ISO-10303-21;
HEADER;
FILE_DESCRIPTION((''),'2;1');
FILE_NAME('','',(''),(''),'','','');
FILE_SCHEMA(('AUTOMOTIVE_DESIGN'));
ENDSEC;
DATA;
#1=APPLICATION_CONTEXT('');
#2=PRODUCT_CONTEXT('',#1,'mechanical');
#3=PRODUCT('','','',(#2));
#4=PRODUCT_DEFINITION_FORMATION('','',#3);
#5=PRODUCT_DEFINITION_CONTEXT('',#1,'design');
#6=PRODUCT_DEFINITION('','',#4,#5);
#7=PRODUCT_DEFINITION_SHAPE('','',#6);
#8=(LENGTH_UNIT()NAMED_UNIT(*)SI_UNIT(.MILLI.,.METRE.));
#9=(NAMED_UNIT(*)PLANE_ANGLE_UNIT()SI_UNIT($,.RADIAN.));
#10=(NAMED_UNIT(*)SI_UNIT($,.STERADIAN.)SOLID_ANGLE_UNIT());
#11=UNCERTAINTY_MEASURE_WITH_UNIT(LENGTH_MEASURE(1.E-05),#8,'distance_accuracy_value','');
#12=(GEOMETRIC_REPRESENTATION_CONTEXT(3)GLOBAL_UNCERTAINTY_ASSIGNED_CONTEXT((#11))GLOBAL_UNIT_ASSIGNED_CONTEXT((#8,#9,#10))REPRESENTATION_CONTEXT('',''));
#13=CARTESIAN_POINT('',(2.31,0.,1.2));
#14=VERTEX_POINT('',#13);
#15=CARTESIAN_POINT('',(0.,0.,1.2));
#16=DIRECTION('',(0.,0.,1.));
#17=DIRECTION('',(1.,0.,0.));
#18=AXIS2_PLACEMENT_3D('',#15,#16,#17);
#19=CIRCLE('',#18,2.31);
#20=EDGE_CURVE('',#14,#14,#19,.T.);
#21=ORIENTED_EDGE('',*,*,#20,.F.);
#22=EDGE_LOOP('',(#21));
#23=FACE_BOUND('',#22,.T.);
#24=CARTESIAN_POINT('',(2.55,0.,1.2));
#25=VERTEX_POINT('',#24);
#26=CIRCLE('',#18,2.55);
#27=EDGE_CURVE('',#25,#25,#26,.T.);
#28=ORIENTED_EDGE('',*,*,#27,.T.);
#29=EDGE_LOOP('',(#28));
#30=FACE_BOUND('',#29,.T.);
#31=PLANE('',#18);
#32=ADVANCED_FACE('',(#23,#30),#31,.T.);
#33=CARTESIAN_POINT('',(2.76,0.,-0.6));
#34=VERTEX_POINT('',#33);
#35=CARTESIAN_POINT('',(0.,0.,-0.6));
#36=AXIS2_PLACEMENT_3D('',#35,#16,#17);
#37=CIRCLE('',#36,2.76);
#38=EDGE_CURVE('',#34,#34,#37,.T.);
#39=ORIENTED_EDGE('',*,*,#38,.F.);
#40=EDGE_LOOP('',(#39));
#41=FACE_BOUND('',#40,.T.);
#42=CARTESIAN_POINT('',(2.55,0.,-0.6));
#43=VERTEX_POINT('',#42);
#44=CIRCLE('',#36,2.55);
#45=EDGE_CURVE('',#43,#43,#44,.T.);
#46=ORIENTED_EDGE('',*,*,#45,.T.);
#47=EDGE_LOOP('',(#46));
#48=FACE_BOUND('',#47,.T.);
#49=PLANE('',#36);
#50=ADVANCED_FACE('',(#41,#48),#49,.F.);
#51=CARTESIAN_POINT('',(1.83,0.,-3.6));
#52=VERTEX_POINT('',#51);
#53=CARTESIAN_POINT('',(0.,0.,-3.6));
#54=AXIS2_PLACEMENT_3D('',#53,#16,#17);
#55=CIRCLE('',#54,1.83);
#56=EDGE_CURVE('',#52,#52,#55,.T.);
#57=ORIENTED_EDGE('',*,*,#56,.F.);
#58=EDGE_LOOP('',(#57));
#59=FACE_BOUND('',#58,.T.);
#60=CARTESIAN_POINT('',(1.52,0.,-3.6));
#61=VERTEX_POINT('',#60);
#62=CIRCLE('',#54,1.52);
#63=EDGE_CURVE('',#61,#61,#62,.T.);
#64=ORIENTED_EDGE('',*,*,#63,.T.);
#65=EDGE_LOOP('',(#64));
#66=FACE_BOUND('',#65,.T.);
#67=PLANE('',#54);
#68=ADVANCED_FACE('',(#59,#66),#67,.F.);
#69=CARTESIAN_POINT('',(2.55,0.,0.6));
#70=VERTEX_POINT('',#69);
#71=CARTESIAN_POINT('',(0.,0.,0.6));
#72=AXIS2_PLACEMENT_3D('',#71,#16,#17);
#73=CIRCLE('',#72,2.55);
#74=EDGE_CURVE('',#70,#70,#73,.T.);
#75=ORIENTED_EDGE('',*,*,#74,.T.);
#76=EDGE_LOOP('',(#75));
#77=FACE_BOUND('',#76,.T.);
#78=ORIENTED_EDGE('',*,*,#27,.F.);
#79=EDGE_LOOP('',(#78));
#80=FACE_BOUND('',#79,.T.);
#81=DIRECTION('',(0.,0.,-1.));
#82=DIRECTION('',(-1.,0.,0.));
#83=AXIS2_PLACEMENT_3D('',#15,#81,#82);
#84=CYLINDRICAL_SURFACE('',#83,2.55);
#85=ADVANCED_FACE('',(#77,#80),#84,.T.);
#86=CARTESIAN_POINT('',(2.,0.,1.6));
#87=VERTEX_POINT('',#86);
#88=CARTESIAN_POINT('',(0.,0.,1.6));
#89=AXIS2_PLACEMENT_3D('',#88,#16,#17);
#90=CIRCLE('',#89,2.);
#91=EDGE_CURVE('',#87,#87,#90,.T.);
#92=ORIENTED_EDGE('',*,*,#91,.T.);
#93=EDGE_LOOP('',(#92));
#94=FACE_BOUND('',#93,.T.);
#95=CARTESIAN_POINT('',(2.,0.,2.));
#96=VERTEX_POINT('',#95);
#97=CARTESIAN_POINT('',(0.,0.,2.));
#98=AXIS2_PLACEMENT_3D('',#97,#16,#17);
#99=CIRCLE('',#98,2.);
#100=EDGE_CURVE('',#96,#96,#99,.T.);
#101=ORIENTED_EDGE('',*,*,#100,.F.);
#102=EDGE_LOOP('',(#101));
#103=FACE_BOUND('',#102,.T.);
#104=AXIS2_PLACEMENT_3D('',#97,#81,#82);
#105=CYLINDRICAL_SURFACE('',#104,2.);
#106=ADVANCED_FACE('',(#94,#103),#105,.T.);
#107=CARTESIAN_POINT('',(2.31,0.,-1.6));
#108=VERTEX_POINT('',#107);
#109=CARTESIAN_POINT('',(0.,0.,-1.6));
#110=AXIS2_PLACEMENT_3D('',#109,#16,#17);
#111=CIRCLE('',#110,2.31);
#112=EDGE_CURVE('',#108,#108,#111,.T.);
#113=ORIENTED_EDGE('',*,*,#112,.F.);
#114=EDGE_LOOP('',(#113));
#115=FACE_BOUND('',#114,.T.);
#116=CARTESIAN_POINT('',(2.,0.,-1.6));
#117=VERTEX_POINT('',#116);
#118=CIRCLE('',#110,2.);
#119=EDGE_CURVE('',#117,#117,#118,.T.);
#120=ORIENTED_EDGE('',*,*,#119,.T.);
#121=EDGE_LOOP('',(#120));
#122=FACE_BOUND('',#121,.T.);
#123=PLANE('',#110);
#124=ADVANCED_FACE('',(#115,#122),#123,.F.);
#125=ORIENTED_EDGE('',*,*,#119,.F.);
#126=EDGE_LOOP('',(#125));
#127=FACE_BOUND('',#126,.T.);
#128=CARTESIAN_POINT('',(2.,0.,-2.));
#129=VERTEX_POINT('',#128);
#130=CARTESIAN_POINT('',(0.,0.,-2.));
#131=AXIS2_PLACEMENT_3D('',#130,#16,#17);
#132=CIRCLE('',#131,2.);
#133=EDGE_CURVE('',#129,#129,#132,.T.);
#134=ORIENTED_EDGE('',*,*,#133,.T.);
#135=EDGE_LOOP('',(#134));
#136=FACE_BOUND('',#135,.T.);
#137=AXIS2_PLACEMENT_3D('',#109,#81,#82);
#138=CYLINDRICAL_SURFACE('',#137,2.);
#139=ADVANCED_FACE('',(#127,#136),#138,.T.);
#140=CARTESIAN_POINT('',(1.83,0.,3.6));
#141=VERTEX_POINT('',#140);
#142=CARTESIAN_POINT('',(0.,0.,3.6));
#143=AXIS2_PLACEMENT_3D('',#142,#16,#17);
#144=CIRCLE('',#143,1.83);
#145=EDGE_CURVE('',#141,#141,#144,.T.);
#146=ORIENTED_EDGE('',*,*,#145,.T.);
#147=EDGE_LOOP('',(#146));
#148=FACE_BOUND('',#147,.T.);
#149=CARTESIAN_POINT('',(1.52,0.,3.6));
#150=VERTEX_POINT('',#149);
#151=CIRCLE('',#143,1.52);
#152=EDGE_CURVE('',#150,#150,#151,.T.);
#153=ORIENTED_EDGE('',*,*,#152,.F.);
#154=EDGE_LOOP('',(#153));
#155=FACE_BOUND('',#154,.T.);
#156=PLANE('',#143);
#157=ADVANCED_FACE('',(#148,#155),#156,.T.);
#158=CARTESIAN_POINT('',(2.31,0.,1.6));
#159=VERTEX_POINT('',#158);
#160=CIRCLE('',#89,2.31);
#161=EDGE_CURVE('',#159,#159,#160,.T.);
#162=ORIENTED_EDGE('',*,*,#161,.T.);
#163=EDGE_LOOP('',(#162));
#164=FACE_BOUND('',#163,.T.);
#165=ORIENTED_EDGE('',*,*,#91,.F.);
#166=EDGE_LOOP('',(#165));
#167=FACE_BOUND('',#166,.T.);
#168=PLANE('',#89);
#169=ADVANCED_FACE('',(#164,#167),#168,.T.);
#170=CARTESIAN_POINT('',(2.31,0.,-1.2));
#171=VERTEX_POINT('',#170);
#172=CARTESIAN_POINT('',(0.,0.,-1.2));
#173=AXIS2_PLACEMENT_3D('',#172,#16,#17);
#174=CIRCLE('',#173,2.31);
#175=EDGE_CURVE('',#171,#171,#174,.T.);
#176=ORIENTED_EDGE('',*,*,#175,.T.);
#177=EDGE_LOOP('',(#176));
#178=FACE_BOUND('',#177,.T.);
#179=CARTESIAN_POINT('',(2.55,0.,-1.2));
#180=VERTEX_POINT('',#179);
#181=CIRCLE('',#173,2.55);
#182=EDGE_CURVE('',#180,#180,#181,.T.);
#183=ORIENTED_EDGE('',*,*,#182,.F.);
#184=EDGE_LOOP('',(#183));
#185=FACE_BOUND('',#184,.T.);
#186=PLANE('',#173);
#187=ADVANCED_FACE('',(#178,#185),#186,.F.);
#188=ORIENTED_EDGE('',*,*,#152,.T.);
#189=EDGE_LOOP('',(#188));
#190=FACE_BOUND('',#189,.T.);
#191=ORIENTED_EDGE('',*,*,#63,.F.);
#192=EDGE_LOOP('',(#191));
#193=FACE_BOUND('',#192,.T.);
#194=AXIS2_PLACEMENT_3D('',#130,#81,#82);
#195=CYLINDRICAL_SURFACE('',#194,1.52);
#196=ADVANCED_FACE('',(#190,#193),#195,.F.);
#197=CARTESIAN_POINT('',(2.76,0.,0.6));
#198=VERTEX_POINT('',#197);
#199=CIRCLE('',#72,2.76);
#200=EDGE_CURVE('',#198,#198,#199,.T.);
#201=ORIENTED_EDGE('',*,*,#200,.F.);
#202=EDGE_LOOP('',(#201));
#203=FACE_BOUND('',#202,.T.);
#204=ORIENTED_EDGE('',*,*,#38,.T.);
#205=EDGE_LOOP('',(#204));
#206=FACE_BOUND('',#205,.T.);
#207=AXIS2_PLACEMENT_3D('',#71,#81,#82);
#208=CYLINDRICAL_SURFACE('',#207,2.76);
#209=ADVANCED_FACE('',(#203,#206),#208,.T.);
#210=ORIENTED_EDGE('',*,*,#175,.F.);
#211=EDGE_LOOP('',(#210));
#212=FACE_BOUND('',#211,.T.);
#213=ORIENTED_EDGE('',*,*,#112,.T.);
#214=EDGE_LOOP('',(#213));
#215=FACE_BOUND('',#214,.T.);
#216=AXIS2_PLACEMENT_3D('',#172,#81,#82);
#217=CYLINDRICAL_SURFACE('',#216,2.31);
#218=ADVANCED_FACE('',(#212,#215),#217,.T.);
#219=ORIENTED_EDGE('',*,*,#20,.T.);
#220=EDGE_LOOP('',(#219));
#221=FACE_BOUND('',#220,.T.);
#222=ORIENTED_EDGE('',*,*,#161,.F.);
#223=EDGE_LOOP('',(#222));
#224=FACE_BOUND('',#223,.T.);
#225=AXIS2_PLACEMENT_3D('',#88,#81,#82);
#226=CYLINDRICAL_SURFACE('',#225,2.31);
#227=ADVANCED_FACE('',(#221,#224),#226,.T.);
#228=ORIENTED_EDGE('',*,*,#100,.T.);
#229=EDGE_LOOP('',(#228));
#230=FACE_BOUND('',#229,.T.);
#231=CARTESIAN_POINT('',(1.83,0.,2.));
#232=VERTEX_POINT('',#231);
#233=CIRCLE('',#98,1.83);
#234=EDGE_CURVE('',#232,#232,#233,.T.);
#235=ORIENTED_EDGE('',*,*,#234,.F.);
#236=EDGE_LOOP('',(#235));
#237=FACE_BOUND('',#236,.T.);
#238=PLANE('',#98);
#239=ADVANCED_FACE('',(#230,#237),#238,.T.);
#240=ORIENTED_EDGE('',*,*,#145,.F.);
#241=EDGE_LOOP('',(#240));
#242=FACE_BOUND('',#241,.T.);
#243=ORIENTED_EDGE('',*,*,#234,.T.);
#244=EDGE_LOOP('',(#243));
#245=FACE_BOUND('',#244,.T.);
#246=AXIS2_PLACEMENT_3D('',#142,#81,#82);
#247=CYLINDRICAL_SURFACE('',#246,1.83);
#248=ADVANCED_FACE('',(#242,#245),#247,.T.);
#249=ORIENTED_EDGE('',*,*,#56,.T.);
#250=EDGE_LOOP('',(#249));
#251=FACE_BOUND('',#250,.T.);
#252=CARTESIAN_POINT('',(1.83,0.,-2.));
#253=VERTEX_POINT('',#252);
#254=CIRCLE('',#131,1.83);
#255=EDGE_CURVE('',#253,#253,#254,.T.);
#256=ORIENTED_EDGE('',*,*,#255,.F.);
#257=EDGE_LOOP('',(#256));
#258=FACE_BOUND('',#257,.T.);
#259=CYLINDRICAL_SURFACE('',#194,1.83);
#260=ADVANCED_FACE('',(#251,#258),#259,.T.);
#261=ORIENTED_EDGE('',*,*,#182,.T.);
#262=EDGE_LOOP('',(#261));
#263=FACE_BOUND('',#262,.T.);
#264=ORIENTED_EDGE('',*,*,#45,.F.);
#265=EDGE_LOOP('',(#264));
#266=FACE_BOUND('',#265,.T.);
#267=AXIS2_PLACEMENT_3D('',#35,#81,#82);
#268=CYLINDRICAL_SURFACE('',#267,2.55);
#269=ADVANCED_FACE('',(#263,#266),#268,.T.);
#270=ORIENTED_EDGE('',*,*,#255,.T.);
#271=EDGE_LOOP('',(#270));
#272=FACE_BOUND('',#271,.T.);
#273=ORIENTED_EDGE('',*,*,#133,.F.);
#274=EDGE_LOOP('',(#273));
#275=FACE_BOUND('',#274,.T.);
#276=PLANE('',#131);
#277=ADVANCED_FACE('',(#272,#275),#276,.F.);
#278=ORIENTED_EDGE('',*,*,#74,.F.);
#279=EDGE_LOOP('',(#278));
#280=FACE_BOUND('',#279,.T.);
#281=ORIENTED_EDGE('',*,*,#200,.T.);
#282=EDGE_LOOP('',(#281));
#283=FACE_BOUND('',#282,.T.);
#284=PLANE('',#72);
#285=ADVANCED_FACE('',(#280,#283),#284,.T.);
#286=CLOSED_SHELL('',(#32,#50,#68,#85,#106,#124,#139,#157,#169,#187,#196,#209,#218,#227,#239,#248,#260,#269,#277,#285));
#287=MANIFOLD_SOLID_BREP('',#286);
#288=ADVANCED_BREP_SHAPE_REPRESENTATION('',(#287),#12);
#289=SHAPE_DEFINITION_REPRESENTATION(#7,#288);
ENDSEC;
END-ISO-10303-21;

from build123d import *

# Parameters (mm, degrees)
F_01_START                                     = -3.6
S01_BALL_AND_MISALIGNMENT_SPACER_LAND_R        = 1.83
S01_BALL_AND_MISALIGNMENT_SPACER_LAND_R_2      = 1.52
F_01_BALL_AND_MISALIGNMENT_SPACER_LAND_1_DEPTH = 1.6
F_02_START                                     = -2
S02_BALL_AND_MISALIGNMENT_SPACER_LAND_R        = 2
S02_BALL_AND_MISALIGNMENT_SPACER_LAND_R_2      = 1.52
F_02_BALL_AND_MISALIGNMENT_SPACER_LAND_2_DEPTH = 0.4
F_03_START                                     = -1.6
S03_BALL_AND_MISALIGNMENT_SPACER_LAND_R        = 2.31
S03_BALL_AND_MISALIGNMENT_SPACER_LAND_R_2      = 1.52
F_03_BALL_AND_MISALIGNMENT_SPACER_LAND_3_DEPTH = 0.4
F_04_START                                     = -1.2
S04_BALL_AND_MISALIGNMENT_SPACER_LAND_R        = 2.55
S04_BALL_AND_MISALIGNMENT_SPACER_LAND_R_2      = 1.52
F_04_BALL_AND_MISALIGNMENT_SPACER_LAND_4_DEPTH = 0.6
F_05_START                                     = -0.6
S05_BALL_AND_MISALIGNMENT_SPACER_LAND_R        = 2.76
S05_BALL_AND_MISALIGNMENT_SPACER_LAND_R_2      = 1.52
F_05_BALL_AND_MISALIGNMENT_SPACER_LAND_5_DEPTH = 1.2
F_06_START                                     = 0.6
S06_BALL_AND_MISALIGNMENT_SPACER_LAND_R        = 2.55
S06_BALL_AND_MISALIGNMENT_SPACER_LAND_R_2      = 1.52
F_06_BALL_AND_MISALIGNMENT_SPACER_LAND_6_DEPTH = 0.6
F_07_START                                     = 1.2
S07_BALL_AND_MISALIGNMENT_SPACER_LAND_R        = 2.31
S07_BALL_AND_MISALIGNMENT_SPACER_LAND_R_2      = 1.52
F_07_BALL_AND_MISALIGNMENT_SPACER_LAND_7_DEPTH = 0.4
F_08_START                                     = 1.6
S08_BALL_AND_MISALIGNMENT_SPACER_LAND_R        = 2
S08_BALL_AND_MISALIGNMENT_SPACER_LAND_R_2      = 1.52
F_08_BALL_AND_MISALIGNMENT_SPACER_LAND_8_DEPTH = 0.4
F_09_START                                     = 2
S09_BALL_AND_MISALIGNMENT_SPACER_LAND_R        = 1.83
S09_BALL_AND_MISALIGNMENT_SPACER_LAND_R_2      = 1.52
F_09_BALL_AND_MISALIGNMENT_SPACER_LAND_9_DEPTH = 1.6


with BuildPart() as part:
    # S01 - Ball and misalignment spacer land 1 → 01 - Ball and misalignment spacer land 1 (new body)
    with BuildSketch(Plane.XY.offset(F_01_START)):
        Circle(S01_BALL_AND_MISALIGNMENT_SPACER_LAND_R)
        Circle(S01_BALL_AND_MISALIGNMENT_SPACER_LAND_R_2, mode=Mode.SUBTRACT)
    extrude(amount=F_01_BALL_AND_MISALIGNMENT_SPACER_LAND_1_DEPTH)

    # S02 - Ball and misalignment spacer land 2 → 02 - Ball and misalignment spacer land 2 (add)
    with BuildSketch(Plane.XY.offset(F_02_START)):
        Circle(S02_BALL_AND_MISALIGNMENT_SPACER_LAND_R)
        Circle(S02_BALL_AND_MISALIGNMENT_SPACER_LAND_R_2, mode=Mode.SUBTRACT)
    extrude(amount=F_02_BALL_AND_MISALIGNMENT_SPACER_LAND_2_DEPTH)

    # S03 - Ball and misalignment spacer land 3 → 03 - Ball and misalignment spacer land 3 (add)
    with BuildSketch(Plane.XY.offset(F_03_START)):
        Circle(S03_BALL_AND_MISALIGNMENT_SPACER_LAND_R)
        Circle(S03_BALL_AND_MISALIGNMENT_SPACER_LAND_R_2, mode=Mode.SUBTRACT)
    extrude(amount=F_03_BALL_AND_MISALIGNMENT_SPACER_LAND_3_DEPTH)

    # S04 - Ball and misalignment spacer land 4 → 04 - Ball and misalignment spacer land 4 (add)
    with BuildSketch(Plane.XY.offset(F_04_START)):
        Circle(S04_BALL_AND_MISALIGNMENT_SPACER_LAND_R)
        Circle(S04_BALL_AND_MISALIGNMENT_SPACER_LAND_R_2, mode=Mode.SUBTRACT)
    extrude(amount=F_04_BALL_AND_MISALIGNMENT_SPACER_LAND_4_DEPTH)

    # S05 - Ball and misalignment spacer land 5 → 05 - Ball and misalignment spacer land 5 (add)
    with BuildSketch(Plane.XY.offset(F_05_START)):
        Circle(S05_BALL_AND_MISALIGNMENT_SPACER_LAND_R)
        Circle(S05_BALL_AND_MISALIGNMENT_SPACER_LAND_R_2, mode=Mode.SUBTRACT)
    extrude(amount=F_05_BALL_AND_MISALIGNMENT_SPACER_LAND_5_DEPTH)

    # S06 - Ball and misalignment spacer land 6 → 06 - Ball and misalignment spacer land 6 (add)
    with BuildSketch(Plane.XY.offset(F_06_START)):
        Circle(S06_BALL_AND_MISALIGNMENT_SPACER_LAND_R)
        Circle(S06_BALL_AND_MISALIGNMENT_SPACER_LAND_R_2, mode=Mode.SUBTRACT)
    extrude(amount=F_06_BALL_AND_MISALIGNMENT_SPACER_LAND_6_DEPTH)

    # S07 - Ball and misalignment spacer land 7 → 07 - Ball and misalignment spacer land 7 (add)
    with BuildSketch(Plane.XY.offset(F_07_START)):
        Circle(S07_BALL_AND_MISALIGNMENT_SPACER_LAND_R)
        Circle(S07_BALL_AND_MISALIGNMENT_SPACER_LAND_R_2, mode=Mode.SUBTRACT)
    extrude(amount=F_07_BALL_AND_MISALIGNMENT_SPACER_LAND_7_DEPTH)

    # S08 - Ball and misalignment spacer land 8 → 08 - Ball and misalignment spacer land 8 (add)
    with BuildSketch(Plane.XY.offset(F_08_START)):
        Circle(S08_BALL_AND_MISALIGNMENT_SPACER_LAND_R)
        Circle(S08_BALL_AND_MISALIGNMENT_SPACER_LAND_R_2, mode=Mode.SUBTRACT)
    extrude(amount=F_08_BALL_AND_MISALIGNMENT_SPACER_LAND_8_DEPTH)

    # S09 - Ball and misalignment spacer land 9 → 09 - Ball and misalignment spacer land 9 (add)
    with BuildSketch(Plane.XY.offset(F_09_START)):
        Circle(S09_BALL_AND_MISALIGNMENT_SPACER_LAND_R)
        Circle(S09_BALL_AND_MISALIGNMENT_SPACER_LAND_R_2, mode=Mode.SUBTRACT)
    extrude(amount=F_09_BALL_AND_MISALIGNMENT_SPACER_LAND_9_DEPTH)


solid = part.part
